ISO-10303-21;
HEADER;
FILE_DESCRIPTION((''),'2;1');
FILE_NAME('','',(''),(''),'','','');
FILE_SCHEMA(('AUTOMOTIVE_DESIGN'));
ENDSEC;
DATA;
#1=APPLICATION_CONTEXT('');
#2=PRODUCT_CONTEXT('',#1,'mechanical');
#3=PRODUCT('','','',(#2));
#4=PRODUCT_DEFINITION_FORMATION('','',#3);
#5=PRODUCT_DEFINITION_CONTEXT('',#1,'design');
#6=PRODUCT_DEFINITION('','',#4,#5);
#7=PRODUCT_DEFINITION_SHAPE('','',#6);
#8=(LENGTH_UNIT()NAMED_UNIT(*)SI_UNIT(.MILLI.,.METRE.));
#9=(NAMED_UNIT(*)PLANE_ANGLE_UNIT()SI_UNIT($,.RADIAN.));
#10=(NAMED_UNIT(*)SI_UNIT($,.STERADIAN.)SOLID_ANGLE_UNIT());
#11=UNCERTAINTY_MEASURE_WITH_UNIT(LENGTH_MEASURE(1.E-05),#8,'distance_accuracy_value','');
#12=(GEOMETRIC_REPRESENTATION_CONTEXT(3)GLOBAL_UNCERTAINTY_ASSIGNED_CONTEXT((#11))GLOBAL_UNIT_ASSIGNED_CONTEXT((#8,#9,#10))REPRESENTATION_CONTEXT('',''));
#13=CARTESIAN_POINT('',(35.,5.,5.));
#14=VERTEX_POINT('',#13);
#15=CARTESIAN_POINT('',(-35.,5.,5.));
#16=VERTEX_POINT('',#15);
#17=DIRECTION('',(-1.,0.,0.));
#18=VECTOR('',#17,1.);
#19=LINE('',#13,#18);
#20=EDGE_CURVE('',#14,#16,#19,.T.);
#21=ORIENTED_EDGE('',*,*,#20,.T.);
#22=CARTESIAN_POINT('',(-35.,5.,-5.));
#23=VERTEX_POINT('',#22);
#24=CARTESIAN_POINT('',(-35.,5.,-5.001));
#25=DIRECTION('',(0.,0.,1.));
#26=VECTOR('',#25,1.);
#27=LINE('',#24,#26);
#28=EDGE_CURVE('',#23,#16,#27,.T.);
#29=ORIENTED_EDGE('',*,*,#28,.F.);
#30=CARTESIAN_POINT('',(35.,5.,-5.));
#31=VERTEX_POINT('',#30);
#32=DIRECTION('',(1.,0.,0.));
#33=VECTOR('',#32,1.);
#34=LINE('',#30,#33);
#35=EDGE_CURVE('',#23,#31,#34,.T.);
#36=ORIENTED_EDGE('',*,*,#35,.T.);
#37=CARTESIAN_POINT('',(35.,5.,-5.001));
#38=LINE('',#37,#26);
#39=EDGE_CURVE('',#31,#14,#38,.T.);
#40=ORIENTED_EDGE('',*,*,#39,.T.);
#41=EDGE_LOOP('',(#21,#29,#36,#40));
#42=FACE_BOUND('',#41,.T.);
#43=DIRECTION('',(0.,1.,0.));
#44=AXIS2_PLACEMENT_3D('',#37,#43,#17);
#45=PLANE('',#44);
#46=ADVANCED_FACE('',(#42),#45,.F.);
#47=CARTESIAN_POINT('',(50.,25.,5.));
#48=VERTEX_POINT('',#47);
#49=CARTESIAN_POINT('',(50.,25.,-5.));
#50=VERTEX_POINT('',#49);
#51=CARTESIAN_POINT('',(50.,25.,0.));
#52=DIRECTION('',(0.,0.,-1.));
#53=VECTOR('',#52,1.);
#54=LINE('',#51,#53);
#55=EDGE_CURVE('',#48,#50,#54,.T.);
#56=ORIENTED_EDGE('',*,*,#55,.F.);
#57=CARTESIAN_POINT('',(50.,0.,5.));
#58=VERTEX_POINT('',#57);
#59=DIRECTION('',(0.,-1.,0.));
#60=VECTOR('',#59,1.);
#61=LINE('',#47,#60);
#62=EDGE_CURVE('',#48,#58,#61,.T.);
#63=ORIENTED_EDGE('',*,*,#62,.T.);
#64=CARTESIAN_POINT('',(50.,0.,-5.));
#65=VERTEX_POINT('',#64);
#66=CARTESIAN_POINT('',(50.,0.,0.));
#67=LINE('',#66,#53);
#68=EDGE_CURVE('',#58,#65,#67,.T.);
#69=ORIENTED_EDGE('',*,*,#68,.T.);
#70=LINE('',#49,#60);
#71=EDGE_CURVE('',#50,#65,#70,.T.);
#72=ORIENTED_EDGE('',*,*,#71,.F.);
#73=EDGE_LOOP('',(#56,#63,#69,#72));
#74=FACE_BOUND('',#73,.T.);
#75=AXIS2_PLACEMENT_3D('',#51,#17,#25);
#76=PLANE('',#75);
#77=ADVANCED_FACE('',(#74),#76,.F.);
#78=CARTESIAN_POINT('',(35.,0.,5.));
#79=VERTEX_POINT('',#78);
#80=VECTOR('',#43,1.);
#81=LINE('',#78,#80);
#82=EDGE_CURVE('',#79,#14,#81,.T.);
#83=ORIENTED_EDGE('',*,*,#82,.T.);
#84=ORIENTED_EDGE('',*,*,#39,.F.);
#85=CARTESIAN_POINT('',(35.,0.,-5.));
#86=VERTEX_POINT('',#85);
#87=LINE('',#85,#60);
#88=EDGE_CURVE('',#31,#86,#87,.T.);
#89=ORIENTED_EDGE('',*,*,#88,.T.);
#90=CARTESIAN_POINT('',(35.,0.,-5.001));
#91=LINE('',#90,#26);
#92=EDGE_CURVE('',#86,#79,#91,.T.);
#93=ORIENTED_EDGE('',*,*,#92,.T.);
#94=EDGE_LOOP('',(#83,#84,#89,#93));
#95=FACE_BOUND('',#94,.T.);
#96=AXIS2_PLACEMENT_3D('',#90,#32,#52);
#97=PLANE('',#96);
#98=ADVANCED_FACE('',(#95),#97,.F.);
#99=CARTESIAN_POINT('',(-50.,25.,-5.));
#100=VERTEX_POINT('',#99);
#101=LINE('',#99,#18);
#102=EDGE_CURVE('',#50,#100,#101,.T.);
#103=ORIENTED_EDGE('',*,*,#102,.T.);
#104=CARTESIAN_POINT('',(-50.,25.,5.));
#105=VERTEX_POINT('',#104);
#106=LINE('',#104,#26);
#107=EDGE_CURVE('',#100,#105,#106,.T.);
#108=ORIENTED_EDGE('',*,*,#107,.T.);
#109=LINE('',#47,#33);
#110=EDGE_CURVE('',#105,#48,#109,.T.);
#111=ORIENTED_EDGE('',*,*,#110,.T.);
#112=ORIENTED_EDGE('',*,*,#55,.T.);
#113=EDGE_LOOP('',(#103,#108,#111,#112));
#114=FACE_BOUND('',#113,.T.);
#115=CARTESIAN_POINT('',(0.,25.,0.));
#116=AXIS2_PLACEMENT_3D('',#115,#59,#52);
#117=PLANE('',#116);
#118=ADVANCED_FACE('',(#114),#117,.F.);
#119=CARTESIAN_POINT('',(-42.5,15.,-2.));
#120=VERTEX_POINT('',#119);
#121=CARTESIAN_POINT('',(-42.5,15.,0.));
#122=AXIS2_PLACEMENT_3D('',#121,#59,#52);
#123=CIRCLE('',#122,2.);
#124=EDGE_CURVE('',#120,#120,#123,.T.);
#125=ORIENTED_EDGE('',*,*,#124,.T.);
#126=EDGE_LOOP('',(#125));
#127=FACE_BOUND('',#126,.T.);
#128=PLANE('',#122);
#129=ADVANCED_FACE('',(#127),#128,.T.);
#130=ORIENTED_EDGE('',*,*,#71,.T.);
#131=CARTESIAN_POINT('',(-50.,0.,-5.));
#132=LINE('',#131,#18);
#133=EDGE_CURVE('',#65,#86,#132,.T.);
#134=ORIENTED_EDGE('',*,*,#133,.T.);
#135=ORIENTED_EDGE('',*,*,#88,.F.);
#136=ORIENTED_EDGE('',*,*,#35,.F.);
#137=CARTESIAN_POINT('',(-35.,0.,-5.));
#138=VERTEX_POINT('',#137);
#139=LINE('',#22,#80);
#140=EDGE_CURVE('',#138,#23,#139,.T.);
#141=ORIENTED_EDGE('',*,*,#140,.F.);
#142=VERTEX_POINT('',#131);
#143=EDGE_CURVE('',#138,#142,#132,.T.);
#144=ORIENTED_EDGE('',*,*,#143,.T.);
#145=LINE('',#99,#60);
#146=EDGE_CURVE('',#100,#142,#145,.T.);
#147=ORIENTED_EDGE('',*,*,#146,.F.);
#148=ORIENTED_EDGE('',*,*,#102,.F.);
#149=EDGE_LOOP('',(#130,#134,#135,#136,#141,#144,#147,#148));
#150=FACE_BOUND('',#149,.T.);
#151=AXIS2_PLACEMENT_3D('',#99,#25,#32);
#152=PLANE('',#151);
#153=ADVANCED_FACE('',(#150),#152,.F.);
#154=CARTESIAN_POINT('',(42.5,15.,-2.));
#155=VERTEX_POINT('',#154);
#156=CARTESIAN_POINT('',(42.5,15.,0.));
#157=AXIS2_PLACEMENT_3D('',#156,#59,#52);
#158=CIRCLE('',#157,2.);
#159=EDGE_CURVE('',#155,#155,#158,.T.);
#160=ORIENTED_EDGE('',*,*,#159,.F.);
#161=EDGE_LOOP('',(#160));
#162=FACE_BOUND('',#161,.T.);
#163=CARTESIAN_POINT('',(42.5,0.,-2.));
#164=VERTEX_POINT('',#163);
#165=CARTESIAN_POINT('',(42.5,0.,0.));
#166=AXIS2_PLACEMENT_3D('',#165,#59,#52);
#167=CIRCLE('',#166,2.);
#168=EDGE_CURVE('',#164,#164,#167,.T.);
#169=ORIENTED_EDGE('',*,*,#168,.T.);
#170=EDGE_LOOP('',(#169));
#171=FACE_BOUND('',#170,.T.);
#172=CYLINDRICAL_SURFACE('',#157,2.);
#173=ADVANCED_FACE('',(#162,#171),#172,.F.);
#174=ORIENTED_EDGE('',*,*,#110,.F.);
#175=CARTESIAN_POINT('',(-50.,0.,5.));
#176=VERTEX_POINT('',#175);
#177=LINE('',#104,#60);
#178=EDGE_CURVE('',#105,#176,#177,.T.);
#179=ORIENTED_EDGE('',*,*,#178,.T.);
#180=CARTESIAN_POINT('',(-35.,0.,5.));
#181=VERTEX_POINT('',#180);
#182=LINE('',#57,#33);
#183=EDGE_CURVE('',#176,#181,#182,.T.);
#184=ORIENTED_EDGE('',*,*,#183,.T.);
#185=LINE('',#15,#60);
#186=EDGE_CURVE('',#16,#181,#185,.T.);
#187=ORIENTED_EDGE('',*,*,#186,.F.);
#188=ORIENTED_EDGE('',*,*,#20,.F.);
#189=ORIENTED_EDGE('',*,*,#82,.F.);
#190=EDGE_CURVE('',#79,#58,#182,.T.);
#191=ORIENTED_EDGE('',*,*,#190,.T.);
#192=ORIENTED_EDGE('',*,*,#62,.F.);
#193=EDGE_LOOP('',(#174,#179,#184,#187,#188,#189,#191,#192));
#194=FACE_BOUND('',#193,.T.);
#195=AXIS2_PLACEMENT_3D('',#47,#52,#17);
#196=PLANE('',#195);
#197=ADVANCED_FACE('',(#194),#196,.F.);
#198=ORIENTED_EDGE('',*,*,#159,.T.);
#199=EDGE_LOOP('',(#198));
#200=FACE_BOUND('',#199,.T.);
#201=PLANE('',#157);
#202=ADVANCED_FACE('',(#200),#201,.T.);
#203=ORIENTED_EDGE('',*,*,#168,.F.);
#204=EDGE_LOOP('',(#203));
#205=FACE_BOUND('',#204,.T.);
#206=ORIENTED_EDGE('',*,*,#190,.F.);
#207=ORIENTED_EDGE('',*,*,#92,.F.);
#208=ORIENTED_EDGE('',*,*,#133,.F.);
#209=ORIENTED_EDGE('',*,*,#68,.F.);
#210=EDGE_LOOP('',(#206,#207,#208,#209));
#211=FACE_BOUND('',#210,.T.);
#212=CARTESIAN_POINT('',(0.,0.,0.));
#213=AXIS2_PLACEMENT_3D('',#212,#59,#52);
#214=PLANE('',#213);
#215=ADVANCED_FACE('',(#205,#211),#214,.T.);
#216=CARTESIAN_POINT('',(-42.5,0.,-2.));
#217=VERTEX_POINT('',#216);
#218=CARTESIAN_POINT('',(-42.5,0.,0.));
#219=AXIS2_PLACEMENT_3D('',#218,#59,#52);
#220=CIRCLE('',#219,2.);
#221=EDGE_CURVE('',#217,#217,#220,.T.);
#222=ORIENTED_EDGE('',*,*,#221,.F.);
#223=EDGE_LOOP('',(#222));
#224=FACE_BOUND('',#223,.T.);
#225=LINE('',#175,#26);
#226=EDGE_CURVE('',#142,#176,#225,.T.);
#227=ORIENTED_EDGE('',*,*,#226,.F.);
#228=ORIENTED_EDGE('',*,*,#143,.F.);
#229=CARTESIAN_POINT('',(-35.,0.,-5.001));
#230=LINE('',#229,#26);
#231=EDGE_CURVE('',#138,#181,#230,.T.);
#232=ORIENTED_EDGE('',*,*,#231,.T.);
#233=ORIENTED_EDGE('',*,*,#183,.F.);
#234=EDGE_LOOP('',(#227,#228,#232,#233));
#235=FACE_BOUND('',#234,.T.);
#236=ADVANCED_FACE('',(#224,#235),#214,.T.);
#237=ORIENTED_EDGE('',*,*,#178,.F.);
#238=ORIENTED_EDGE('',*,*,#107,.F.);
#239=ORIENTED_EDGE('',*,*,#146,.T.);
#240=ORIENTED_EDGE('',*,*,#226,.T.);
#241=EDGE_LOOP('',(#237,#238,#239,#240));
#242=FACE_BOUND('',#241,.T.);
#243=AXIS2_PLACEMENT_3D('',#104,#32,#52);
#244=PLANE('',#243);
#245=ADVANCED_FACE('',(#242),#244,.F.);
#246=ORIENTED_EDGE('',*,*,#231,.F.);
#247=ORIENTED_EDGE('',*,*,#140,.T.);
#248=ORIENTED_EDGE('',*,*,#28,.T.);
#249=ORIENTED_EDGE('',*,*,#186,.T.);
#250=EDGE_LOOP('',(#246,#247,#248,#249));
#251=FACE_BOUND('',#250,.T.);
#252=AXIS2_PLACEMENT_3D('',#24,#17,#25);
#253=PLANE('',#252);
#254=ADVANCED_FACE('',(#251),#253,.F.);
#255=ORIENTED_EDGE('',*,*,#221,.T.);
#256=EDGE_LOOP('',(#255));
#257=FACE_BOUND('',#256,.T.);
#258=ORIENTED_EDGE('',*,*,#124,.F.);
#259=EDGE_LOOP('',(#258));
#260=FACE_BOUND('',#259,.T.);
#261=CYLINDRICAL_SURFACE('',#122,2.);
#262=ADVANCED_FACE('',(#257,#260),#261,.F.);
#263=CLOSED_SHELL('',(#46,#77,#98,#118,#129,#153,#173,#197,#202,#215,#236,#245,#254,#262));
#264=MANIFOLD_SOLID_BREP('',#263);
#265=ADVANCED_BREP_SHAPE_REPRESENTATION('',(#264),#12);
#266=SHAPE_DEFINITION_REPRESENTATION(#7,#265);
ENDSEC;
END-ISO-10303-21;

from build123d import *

# Parameters (mm, degrees)
BOSS_EXTRU_1_DEPTH      = 25
ENL_V_MAT_EXTRU_1_REACH = 58.789
ESQUISSE3_R             = 2
ENL_V_MAT_EXTRU_2_DEPTH = 15


with BuildPart() as part:
    # Esquisse1 → Boss.-Extru.1 (new body)
    with BuildSketch(Plane(origin=(0, 0, 0), x_dir=(1, 0, 0), z_dir=(0, 1, 0))):
        Polygon((50, 0), (50, 5), (-50, 5), (-50, -5), (50, -5), align=None)
    extrude(amount=BOSS_EXTRU_1_DEPTH)

    # Esquisse2 → Enlèv. mat.-Extru.1 (cut, up to next)
    with BuildSketch(Plane.XY.offset(5), mode=Mode.PRIVATE) as enl_v_mat_extru_1_sk1:
        Polygon((0, 0), (35, 0), (35, 5), (-35, 5), (-35, 0), align=None)
    enl_v_mat_extru_1_tool1 = extrude(enl_v_mat_extru_1_sk1.sketch, amount=-ENL_V_MAT_EXTRU_1_REACH, mode=Mode.PRIVATE) & part.part
    add(enl_v_mat_extru_1_tool1.solids().sort_by_distance((0, 2.5, 5))[0], mode=Mode.SUBTRACT)

    # Esquisse3 → Enlèv. mat.-Extru.2 (cut)
    with BuildSketch(Plane.XZ):
        with Locations(Location((-42.5, 0, 0), (0, 0, 270))):
            Circle(ESQUISSE3_R)
        with Locations(Location((42.5, 0, 0), (0, 0, 270))):
            Circle(ESQUISSE3_R)
    extrude(amount=-ENL_V_MAT_EXTRU_2_DEPTH, mode=Mode.SUBTRACT)


solid = part.part
